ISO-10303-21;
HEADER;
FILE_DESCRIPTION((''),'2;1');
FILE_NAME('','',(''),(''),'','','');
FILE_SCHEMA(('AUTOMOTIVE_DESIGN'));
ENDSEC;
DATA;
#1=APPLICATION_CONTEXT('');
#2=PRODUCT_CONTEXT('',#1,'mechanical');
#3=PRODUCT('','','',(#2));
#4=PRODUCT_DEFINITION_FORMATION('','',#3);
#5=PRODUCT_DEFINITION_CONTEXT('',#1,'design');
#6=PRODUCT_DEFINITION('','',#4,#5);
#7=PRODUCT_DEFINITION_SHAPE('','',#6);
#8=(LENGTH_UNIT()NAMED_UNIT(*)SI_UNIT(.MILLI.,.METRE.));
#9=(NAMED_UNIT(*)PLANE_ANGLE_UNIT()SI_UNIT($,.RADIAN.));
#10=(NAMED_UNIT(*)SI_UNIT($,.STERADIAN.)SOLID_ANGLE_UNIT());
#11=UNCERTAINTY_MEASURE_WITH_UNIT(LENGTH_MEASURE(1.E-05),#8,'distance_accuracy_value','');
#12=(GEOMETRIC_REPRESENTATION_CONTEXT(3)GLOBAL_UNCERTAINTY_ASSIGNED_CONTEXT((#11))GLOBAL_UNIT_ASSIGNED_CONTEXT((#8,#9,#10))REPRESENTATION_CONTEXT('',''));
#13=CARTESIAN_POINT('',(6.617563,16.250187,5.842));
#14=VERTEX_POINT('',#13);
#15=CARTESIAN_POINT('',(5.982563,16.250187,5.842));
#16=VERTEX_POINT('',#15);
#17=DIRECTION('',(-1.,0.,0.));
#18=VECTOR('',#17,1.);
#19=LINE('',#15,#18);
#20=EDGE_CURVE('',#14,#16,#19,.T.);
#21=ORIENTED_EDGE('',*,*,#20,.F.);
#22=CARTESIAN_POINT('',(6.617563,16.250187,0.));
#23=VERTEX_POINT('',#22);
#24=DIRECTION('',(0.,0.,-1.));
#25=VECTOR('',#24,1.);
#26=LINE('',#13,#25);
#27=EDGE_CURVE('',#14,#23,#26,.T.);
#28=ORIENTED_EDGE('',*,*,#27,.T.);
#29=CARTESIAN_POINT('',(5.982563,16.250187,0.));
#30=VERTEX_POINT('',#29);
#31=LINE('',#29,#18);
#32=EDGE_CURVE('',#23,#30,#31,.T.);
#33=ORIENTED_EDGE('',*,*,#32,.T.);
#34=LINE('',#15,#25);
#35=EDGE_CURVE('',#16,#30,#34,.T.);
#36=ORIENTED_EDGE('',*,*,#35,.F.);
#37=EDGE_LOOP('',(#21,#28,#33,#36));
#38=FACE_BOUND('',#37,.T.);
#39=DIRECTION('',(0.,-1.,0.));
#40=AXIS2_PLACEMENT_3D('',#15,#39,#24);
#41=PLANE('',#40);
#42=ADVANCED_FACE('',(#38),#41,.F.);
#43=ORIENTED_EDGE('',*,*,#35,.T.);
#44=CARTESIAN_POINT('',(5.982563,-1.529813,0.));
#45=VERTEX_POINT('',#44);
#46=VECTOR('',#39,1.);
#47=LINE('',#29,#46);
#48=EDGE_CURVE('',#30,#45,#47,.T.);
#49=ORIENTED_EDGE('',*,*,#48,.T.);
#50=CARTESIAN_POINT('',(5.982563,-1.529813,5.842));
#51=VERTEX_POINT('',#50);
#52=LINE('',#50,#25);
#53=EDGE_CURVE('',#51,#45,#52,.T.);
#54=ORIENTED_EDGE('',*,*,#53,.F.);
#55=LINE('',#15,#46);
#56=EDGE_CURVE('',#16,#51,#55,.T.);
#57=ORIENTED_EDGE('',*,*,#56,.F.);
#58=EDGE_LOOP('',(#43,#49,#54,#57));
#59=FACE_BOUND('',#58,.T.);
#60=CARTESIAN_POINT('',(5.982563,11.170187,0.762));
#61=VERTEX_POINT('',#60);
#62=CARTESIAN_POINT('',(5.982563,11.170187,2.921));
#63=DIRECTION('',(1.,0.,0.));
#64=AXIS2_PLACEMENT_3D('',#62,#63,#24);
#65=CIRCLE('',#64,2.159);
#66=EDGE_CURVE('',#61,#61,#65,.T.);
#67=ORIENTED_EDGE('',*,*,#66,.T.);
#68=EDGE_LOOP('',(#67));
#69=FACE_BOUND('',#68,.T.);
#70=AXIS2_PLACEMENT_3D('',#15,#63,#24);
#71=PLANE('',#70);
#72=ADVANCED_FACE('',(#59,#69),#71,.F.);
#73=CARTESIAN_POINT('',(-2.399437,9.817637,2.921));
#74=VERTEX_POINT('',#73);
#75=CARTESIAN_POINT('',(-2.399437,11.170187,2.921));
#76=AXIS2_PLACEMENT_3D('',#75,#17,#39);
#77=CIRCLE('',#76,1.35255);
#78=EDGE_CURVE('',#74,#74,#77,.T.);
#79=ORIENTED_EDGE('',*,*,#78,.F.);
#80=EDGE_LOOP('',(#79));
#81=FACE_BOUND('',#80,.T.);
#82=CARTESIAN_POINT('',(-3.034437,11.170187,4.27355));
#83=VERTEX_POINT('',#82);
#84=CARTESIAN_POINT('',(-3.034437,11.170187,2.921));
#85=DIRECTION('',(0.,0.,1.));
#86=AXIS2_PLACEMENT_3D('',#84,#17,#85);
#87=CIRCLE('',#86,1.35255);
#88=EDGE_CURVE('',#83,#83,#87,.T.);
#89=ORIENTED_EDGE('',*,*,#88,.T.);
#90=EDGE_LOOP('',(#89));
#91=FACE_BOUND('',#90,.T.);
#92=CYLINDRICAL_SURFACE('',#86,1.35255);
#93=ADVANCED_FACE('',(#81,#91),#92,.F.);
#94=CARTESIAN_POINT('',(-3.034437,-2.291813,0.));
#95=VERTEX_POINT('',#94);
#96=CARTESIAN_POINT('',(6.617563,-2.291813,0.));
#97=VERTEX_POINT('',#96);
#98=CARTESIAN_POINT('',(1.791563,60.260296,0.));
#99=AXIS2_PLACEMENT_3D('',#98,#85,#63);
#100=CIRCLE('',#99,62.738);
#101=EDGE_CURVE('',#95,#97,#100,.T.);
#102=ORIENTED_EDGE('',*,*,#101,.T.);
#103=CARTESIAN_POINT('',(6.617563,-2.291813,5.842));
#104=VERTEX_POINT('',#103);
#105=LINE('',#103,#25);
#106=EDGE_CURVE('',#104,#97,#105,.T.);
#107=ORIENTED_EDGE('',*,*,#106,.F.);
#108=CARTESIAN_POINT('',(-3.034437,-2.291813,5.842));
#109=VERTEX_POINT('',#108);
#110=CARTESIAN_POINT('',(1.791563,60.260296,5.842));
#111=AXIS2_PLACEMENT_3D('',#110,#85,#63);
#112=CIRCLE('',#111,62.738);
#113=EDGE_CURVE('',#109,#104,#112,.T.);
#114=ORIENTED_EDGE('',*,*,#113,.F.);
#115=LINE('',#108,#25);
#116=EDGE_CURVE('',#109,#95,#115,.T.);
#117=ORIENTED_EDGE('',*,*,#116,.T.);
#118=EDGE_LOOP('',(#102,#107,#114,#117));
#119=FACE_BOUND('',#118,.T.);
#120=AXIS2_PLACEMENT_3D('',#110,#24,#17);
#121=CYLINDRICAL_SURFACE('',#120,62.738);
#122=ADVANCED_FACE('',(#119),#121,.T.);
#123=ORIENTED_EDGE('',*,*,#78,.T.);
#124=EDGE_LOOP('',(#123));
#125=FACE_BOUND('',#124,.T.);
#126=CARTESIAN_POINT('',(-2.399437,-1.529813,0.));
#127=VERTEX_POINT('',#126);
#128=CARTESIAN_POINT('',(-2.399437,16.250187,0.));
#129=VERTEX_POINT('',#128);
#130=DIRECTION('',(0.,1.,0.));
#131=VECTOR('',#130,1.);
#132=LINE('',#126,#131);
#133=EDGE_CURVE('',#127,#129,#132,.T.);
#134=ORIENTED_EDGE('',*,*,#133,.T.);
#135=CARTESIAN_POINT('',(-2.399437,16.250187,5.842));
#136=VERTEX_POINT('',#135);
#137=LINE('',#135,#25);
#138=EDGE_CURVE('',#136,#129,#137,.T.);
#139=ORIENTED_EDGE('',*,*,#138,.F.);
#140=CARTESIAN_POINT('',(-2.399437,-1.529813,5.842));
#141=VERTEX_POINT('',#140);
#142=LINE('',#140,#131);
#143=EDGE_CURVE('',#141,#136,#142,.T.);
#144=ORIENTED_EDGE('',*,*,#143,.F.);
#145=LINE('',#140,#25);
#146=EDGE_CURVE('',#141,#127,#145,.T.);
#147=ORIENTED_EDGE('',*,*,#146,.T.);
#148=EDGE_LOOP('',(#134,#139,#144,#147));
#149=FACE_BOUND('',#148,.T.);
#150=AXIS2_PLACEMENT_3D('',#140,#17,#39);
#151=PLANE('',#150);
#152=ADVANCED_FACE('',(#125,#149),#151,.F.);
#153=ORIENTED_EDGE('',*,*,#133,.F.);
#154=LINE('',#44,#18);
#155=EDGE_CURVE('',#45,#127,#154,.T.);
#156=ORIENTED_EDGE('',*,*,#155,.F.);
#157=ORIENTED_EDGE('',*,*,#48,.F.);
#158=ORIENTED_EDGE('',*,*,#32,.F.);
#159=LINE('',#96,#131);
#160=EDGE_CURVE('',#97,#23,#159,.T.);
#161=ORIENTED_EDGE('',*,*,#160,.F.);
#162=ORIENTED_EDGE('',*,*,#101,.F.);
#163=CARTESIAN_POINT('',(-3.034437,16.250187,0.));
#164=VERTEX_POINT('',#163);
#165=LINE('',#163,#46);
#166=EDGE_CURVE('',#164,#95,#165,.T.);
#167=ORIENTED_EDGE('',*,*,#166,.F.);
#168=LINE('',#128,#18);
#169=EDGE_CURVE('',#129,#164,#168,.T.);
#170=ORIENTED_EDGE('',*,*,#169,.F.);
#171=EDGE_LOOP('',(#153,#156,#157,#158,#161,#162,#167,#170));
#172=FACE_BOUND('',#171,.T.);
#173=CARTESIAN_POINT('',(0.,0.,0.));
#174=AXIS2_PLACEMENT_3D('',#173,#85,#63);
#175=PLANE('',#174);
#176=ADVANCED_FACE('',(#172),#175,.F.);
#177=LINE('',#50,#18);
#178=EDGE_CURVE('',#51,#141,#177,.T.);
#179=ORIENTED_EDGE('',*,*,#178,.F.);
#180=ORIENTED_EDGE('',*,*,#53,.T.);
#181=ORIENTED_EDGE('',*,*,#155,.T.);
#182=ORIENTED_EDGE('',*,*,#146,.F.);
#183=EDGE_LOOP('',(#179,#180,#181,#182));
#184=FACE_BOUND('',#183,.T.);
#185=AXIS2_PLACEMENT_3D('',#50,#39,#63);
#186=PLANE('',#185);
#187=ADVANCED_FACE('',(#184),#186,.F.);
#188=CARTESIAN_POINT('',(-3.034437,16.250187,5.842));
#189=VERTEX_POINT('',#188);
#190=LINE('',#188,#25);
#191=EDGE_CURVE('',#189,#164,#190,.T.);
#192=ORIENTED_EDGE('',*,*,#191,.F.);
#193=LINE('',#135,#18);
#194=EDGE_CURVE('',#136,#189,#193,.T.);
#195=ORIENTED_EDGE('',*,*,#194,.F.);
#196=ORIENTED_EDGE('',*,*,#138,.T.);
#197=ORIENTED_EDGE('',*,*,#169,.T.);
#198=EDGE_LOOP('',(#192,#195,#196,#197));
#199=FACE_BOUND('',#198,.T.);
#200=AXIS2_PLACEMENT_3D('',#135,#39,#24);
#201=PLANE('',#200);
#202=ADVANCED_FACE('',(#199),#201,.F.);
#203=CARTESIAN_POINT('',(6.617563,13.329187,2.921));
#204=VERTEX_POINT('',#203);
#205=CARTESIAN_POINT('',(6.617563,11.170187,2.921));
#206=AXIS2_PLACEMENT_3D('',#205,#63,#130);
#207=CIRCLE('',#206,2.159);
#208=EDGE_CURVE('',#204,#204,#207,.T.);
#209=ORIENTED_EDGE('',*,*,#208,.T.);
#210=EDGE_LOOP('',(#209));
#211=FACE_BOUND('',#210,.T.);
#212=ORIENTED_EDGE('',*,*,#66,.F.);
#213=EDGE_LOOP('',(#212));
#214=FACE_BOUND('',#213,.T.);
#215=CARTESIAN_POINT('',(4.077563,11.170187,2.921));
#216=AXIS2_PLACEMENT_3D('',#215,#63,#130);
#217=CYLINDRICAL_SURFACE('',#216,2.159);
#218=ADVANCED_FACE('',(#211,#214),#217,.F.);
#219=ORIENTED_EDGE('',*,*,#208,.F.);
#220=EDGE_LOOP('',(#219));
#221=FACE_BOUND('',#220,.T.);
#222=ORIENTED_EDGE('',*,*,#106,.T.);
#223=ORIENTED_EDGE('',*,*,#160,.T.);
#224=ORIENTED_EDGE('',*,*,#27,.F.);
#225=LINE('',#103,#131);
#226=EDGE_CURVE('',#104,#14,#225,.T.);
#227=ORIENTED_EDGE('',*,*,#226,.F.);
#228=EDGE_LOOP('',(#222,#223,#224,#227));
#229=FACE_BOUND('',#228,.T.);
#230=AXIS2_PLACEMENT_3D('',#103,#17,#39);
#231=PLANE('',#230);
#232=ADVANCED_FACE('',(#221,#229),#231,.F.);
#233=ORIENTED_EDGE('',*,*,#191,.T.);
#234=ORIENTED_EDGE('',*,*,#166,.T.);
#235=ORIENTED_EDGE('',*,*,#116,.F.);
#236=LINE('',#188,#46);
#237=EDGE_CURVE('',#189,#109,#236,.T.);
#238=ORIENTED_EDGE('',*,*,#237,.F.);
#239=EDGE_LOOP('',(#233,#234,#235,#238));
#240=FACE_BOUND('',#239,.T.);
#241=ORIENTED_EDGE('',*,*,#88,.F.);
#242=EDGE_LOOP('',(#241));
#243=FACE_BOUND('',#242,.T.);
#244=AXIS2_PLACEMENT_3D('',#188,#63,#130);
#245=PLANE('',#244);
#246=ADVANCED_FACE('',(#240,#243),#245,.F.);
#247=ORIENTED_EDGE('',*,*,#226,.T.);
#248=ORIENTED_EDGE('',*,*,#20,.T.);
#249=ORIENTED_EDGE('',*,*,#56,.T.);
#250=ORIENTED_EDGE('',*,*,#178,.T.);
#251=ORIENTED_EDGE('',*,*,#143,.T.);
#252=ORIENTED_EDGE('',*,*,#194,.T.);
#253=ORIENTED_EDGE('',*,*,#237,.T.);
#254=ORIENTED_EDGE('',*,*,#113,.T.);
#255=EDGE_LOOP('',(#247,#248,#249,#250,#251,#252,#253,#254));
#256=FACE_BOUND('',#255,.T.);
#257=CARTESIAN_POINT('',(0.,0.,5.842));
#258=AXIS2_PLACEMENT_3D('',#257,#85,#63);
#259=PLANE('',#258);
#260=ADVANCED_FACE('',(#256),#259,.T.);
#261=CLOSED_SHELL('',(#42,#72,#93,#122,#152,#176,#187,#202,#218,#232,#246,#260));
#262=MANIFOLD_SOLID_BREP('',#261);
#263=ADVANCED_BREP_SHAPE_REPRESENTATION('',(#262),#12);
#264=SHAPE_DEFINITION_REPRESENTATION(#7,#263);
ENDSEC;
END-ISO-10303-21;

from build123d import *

# Parameters (mm, degrees)
BOSS_EXTRUDE1_DEPTH       = 5.842
BOSS_EXTRUDE2_DEPTH       = 5.842
SKETCH19_R                = 2.159
CUT_EXTRUDE1_DEPTH        = 2.54
F_6_32_TAPPED_HOLE1_D     = 2.7051
F_6_32_TAPPED_HOLE1_DEPTH = 0.635


with BuildPart() as part:
    # Sketch1 → Boss-Extrude1 (new body)
    with BuildSketch(Plane.XY):
        Polygon((-3.034436618, 16.25018662), (-3.034436618, -2.29181338), (6.617563382, -2.29181338), (6.617563382, 16.25018662), (5.982563382, 16.25018662), (5.982563382, -1.52981338), (-2.399436618, -1.52981338), (-2.399436618, 16.25018662), align=None)
    extrude(amount=BOSS_EXTRUDE1_DEPTH)

    # Sketch15 → Boss-Extrude2 (add, through all)
    with BuildSketch(Plane.XY):
        with BuildLine():
            Line((6.617563382, -2.29181338), (-3.034436618, -2.29181338))
            ThreePointArc((-3.034436618, -2.29181338), (1.791563382, -2.477704159), (6.617563382, -2.29181338))
        make_face()
    extrude(amount=BOSS_EXTRUDE2_DEPTH)

    # Sketch19 → Cut-Extrude1 (cut)
    with BuildSketch(Plane(origin=(6.617563382, 0, 0), x_dir=(0, 0, -1), z_dir=(1, 0, 0))):
        with Locations((-2.921, 11.17018662)):
            Circle(SKETCH19_R)
    extrude(amount=-CUT_EXTRUDE1_DEPTH, mode=Mode.SUBTRACT)

    # #6-32 Tapped Hole1
    with Locations(Plane.ZY.offset(3.034436618)):
        with Locations((2.921, 11.17018662)):
            Hole(F_6_32_TAPPED_HOLE1_D / 2, depth=F_6_32_TAPPED_HOLE1_DEPTH)


solid = part.part
